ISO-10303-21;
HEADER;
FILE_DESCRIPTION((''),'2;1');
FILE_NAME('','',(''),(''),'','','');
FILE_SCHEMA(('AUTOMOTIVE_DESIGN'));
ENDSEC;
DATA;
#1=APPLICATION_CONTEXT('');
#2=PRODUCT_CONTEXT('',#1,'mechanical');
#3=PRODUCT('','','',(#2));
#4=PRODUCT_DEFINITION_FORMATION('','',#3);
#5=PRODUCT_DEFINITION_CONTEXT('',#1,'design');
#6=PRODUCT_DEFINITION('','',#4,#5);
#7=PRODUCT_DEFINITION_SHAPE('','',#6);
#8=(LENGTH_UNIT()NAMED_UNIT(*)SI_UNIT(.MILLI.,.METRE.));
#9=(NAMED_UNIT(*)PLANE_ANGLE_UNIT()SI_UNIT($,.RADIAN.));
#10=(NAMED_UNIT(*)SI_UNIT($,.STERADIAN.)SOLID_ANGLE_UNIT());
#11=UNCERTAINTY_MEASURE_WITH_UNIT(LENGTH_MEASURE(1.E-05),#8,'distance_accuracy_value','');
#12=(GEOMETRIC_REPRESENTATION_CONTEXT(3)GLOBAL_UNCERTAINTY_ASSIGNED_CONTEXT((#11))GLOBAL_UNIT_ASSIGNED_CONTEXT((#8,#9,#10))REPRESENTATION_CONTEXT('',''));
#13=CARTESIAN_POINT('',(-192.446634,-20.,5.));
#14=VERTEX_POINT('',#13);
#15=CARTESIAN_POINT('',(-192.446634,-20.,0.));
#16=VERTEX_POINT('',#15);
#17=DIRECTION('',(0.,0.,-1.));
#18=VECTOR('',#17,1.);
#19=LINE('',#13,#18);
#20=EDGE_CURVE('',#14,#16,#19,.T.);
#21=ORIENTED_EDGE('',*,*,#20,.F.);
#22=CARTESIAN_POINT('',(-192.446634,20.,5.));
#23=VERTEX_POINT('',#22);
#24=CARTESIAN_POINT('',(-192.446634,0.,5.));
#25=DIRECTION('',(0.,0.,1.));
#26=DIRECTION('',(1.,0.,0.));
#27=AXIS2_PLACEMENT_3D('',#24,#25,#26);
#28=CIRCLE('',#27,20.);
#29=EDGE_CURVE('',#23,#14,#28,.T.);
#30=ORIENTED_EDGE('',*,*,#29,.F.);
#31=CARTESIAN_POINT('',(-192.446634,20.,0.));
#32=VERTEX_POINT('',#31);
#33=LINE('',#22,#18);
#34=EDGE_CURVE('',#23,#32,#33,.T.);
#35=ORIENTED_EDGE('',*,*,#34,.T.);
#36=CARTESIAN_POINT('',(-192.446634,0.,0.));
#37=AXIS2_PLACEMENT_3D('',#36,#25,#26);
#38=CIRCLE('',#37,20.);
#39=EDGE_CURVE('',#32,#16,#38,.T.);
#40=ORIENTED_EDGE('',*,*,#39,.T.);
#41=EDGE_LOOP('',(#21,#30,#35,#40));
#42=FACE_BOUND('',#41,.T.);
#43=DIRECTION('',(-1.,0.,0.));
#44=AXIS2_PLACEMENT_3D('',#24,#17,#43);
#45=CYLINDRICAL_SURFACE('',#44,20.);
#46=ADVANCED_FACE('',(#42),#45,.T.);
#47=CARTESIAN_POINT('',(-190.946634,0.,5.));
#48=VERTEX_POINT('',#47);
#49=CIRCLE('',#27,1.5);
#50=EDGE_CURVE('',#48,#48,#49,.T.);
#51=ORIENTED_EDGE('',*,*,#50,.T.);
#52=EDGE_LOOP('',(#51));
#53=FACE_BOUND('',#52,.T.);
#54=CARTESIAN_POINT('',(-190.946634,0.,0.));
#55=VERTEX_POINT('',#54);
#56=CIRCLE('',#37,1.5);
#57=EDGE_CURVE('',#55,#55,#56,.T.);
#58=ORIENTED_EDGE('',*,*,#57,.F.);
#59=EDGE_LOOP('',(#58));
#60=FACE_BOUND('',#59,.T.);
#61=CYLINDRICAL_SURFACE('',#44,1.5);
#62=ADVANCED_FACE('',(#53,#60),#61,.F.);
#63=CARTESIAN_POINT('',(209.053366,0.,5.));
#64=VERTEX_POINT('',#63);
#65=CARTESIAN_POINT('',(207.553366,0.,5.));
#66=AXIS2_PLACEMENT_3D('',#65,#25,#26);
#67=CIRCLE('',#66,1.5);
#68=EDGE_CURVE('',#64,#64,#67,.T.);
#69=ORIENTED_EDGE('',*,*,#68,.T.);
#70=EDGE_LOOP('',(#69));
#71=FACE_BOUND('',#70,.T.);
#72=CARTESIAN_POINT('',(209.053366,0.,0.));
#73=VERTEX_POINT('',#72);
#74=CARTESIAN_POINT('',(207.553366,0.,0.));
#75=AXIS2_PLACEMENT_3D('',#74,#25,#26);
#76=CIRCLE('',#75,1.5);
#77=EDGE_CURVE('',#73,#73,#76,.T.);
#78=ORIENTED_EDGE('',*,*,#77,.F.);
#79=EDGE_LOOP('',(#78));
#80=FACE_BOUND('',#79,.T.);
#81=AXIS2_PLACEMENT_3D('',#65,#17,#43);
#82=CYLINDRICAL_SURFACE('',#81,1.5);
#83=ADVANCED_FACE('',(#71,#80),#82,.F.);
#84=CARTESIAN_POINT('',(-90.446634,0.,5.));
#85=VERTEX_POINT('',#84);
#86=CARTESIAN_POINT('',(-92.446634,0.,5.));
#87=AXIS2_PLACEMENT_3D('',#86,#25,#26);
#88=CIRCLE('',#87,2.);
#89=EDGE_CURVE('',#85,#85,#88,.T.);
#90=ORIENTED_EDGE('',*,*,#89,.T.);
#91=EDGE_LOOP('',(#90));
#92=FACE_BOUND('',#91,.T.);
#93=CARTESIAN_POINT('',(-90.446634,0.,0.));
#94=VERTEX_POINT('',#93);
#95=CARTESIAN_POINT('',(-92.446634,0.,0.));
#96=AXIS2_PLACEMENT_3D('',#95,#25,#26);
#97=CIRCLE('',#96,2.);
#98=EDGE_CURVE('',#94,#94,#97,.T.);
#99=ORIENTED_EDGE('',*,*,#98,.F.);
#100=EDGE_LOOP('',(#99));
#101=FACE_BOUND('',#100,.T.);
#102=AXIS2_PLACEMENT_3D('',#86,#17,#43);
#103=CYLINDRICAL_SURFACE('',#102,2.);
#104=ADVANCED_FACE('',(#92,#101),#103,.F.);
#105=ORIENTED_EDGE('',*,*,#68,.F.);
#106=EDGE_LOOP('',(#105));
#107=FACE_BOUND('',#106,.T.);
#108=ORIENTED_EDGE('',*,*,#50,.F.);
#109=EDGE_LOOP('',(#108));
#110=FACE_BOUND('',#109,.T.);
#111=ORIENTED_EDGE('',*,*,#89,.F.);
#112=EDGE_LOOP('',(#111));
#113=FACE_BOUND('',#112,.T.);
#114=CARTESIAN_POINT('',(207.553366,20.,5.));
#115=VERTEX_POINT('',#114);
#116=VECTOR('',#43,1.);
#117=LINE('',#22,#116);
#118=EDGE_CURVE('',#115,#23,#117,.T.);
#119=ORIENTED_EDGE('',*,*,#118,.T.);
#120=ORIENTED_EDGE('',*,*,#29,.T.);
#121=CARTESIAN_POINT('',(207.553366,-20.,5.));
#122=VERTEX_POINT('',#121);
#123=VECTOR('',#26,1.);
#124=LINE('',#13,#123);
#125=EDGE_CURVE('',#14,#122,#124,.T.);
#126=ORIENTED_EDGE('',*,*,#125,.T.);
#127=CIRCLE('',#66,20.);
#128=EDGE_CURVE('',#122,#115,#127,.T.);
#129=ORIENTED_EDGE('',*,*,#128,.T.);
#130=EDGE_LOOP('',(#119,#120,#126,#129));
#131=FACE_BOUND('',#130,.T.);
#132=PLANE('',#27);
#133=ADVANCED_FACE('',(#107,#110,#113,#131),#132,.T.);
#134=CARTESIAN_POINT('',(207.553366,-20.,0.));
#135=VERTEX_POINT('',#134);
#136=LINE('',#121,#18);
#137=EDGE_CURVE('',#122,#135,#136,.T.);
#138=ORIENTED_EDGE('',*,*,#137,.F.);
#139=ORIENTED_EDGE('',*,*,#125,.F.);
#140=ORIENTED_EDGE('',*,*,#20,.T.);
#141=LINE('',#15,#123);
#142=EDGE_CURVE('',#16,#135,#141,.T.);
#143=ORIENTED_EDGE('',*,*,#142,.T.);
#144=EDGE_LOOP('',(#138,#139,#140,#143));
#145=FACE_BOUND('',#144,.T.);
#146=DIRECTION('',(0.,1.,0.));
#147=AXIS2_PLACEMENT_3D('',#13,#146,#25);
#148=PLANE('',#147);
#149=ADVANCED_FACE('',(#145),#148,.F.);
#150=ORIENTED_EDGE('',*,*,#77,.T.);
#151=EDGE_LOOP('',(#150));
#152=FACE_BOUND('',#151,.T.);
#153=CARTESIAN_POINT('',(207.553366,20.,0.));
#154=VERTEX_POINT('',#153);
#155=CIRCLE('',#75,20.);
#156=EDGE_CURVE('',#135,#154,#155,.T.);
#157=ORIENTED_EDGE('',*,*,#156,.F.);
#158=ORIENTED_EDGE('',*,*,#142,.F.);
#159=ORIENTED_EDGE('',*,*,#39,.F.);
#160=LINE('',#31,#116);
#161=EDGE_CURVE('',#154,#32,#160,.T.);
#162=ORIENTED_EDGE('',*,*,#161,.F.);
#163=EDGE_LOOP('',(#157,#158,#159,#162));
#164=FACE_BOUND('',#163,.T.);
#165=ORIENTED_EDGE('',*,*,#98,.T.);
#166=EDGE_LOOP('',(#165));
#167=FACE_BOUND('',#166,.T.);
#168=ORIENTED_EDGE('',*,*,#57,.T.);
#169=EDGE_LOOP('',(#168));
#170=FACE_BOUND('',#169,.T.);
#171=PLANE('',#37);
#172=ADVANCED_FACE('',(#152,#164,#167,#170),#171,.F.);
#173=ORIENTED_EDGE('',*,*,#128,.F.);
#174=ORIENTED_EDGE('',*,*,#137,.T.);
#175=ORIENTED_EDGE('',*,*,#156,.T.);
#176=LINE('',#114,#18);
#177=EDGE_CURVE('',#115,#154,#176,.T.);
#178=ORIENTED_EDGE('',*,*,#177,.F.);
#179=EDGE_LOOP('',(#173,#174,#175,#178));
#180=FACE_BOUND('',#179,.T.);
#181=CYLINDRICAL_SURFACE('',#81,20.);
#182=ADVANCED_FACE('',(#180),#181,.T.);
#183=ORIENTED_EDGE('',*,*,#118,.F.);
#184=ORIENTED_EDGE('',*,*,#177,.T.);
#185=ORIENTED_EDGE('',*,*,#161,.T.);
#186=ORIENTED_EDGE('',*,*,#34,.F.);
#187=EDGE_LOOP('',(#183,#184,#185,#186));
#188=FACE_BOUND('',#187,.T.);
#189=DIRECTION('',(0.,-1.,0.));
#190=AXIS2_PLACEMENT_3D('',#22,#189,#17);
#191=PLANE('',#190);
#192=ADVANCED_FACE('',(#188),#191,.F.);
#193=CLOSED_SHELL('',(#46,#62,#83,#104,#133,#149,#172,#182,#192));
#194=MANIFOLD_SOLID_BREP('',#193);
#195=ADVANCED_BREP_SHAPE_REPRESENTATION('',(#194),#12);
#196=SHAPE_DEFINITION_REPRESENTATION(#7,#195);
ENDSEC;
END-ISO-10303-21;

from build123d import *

# Parameters (mm, degrees)
SKETCH1_R           = 1.5
SKETCH1_R_2         = 2
BOSS_EXTRUDE1_DEPTH = 5


with BuildPart() as part:
    # Sketch1 → Boss-Extrude1 (new body)
    with BuildSketch(Plane.XY):
        with BuildLine():
            Line((-192.446633826, 20), (207.553366174, 20))
            ThreePointArc((207.553366174, 20), (227.553366174, 0), (207.553366174, -20))
            Line((207.553366174, -20), (-192.446633826, -20))
            ThreePointArc((-192.446633826, -20), (-212.446633826, 0), (-192.446633826, 20))
        make_face()
        with Locations((-192.446633826, 0)):
            Circle(SKETCH1_R, mode=Mode.SUBTRACT)
        with Locations((207.553366174, 0)):
            Circle(SKETCH1_R, mode=Mode.SUBTRACT)
        with Locations((-92.446633826, 0)):
            Circle(SKETCH1_R_2, mode=Mode.SUBTRACT)
    extrude(amount=BOSS_EXTRUDE1_DEPTH)


solid = part.part
